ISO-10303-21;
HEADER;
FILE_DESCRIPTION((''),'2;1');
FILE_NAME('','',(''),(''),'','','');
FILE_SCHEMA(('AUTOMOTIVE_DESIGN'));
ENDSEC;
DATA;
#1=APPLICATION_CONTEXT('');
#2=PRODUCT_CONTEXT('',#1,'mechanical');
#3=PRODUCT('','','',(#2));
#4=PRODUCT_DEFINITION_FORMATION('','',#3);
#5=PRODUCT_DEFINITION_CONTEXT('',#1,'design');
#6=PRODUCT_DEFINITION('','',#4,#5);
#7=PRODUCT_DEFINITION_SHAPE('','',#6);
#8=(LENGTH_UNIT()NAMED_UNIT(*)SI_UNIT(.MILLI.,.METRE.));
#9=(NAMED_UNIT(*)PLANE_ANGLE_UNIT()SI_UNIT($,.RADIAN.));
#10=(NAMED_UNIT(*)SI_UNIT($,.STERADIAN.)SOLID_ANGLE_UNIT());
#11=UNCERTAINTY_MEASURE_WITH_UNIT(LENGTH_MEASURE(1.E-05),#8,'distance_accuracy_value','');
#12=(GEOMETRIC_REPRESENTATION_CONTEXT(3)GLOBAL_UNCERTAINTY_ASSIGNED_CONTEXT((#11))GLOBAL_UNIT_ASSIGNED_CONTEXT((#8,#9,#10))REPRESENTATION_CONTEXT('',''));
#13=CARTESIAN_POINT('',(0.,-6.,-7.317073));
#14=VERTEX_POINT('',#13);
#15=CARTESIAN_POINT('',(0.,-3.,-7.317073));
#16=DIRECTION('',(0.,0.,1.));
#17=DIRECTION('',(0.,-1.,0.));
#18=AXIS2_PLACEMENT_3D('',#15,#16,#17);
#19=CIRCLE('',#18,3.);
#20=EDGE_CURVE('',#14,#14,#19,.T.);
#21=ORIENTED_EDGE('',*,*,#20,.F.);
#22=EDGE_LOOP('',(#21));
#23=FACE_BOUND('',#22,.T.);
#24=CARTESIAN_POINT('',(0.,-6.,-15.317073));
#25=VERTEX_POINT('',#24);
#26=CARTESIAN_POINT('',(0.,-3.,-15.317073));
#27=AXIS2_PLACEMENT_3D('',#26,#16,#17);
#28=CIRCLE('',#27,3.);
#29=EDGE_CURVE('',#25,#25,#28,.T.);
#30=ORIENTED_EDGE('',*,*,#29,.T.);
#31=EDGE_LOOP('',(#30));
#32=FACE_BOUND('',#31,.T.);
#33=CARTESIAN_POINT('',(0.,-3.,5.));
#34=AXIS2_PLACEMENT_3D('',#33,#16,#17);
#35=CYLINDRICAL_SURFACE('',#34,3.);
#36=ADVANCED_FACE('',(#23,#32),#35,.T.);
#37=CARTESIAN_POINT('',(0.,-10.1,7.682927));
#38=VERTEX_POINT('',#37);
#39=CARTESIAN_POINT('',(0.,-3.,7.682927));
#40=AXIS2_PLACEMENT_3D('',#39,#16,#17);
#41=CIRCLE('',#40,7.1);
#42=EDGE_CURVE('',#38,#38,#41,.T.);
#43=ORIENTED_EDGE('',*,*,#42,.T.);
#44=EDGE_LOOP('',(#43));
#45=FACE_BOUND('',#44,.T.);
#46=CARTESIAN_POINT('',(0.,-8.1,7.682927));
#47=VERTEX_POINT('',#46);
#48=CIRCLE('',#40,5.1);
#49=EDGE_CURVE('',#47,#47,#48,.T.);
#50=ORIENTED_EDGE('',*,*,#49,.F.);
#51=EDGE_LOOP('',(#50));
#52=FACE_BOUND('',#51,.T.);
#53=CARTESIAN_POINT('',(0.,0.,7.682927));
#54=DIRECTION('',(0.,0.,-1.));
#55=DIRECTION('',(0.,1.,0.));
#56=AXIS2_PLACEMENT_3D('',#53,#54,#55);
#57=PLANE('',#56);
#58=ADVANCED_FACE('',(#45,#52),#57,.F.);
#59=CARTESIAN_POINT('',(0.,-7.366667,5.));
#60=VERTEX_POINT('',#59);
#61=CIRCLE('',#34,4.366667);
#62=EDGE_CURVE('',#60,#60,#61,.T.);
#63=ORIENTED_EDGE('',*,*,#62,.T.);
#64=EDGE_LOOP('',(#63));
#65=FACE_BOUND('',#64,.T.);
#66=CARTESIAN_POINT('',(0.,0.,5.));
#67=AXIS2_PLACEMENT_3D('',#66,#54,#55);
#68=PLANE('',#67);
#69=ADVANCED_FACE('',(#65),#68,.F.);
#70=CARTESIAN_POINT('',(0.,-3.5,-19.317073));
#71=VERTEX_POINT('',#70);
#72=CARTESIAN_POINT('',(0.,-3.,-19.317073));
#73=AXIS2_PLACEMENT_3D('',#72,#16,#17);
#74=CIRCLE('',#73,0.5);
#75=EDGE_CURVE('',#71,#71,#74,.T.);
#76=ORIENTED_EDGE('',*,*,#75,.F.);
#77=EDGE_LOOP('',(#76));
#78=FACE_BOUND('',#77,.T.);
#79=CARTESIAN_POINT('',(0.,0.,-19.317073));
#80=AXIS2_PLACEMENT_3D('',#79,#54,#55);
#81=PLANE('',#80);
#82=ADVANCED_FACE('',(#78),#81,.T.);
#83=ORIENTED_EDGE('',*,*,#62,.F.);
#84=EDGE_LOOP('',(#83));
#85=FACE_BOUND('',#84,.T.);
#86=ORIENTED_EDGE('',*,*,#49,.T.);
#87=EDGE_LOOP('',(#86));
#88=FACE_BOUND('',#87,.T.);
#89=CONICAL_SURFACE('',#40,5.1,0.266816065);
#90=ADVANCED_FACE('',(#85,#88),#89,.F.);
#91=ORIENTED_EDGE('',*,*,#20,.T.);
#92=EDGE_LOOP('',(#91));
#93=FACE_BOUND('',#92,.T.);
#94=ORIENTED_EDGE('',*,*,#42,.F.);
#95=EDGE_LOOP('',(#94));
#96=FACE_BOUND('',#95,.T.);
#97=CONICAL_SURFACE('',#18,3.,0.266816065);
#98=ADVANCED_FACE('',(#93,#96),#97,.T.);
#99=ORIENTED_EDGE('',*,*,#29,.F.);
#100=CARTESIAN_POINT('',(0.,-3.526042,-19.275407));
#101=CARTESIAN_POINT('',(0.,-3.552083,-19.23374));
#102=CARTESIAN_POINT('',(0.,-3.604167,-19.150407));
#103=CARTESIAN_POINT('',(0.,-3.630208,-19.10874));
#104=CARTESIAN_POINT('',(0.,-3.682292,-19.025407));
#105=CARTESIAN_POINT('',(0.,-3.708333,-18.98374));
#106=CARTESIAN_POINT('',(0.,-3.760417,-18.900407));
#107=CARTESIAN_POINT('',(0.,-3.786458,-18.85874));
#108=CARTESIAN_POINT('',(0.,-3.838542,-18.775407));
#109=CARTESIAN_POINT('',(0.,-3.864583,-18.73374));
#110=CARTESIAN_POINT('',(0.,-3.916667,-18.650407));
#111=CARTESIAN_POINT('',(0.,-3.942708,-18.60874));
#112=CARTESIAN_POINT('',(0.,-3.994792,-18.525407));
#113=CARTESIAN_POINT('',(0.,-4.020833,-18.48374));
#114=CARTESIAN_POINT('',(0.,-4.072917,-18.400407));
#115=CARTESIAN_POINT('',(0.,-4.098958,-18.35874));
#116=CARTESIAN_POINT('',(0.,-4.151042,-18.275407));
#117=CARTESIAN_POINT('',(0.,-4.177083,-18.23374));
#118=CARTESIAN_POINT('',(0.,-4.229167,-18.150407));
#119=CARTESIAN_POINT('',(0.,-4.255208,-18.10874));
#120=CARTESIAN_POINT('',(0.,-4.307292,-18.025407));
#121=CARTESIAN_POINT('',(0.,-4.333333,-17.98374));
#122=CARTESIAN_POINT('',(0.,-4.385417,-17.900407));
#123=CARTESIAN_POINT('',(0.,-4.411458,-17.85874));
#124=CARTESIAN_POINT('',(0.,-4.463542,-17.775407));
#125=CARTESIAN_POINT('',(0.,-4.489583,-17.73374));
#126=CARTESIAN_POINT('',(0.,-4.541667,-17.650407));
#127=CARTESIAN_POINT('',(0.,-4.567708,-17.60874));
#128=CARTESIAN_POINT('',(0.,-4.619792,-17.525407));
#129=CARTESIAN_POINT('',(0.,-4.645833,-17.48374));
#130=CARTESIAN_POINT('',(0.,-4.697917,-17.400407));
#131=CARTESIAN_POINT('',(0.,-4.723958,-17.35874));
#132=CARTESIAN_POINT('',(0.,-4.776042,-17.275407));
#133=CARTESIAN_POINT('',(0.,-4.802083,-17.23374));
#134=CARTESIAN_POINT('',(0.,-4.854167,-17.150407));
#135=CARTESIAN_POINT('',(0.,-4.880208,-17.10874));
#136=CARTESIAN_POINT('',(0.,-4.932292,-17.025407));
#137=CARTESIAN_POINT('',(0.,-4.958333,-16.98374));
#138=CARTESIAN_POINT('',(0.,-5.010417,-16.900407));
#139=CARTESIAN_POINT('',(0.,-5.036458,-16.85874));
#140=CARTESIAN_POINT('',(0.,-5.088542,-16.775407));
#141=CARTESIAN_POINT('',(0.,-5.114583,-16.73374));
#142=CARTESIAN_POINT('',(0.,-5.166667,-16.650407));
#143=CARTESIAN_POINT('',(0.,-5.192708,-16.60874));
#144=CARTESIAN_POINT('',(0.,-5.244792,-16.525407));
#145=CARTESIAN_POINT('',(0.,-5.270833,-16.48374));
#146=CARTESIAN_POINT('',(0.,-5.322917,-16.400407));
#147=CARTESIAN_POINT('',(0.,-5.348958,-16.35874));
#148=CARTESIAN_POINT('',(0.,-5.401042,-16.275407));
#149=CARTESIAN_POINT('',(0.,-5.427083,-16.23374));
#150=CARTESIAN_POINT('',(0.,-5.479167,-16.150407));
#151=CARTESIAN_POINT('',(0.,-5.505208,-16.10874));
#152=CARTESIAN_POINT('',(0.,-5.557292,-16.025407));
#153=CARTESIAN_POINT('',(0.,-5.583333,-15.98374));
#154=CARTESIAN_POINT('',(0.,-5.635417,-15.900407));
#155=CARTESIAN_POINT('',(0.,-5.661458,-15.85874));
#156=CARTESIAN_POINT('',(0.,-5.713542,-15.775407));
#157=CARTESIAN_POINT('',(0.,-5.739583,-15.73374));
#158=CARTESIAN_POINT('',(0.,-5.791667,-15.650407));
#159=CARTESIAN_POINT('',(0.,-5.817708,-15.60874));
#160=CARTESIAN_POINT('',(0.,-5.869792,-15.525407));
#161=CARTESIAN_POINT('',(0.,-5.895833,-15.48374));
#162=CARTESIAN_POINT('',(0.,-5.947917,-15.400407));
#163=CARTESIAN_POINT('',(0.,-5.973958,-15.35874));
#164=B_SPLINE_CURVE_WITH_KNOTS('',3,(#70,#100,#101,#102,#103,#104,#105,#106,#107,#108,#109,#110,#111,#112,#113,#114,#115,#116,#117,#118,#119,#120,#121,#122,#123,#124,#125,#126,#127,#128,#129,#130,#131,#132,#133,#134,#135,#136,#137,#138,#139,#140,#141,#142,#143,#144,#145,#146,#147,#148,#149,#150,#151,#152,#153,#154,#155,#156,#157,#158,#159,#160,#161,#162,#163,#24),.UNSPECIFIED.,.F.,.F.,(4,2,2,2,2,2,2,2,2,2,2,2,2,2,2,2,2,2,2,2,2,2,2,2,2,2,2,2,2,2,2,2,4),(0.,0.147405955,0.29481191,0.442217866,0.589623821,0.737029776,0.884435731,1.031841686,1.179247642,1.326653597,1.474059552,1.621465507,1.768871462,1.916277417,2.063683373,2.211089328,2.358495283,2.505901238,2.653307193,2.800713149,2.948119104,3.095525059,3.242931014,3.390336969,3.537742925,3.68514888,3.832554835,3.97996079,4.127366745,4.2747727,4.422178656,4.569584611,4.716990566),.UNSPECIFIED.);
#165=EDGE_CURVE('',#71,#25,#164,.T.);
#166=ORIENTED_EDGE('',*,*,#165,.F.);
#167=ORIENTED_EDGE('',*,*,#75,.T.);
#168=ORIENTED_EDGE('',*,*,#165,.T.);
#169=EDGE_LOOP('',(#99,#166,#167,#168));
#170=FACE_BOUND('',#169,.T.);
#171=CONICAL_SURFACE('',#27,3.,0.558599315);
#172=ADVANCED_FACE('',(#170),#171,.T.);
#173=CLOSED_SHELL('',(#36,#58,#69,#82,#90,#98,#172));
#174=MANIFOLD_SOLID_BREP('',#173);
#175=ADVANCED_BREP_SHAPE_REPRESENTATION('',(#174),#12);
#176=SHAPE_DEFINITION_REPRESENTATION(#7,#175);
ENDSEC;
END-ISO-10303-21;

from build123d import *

# Parameters (mm, degrees)
SKETCH2_W = 20.317073171
SKETCH2_H = 3


with BuildPart() as part:
    # Sketch2 → Revolve1 (revolve)
    with BuildSketch(Plane(origin=(0, 0, 0), x_dir=(0, 0, -1), z_dir=(1, 0, 0)), mode=Mode.PRIVATE) as revolve1_sk:
        with Locations((5.158536586, -1.5)):
            Rectangle(SKETCH2_W, SKETCH2_H)
        Polygon((-5, 1.366666667), (-5, 0), (0, 0), align=None)
        Polygon((-5, 1.366666667), (0, 0), (7.317073171, 0), (-7.682926829, 4.1), (-7.682926829, 2.1), align=None)
        Polygon((19.317073171, -3), (15.317073171, -3), (15.317073171, 0), (19.317073171, -2.5), align=None)
    revolve(revolve1_sk.sketch.rotate(Axis((0, -3, 5), (0, 0, -1)), 180), axis=Axis((0, -3, 5), (0, 0, -1)))


solid = part.part
